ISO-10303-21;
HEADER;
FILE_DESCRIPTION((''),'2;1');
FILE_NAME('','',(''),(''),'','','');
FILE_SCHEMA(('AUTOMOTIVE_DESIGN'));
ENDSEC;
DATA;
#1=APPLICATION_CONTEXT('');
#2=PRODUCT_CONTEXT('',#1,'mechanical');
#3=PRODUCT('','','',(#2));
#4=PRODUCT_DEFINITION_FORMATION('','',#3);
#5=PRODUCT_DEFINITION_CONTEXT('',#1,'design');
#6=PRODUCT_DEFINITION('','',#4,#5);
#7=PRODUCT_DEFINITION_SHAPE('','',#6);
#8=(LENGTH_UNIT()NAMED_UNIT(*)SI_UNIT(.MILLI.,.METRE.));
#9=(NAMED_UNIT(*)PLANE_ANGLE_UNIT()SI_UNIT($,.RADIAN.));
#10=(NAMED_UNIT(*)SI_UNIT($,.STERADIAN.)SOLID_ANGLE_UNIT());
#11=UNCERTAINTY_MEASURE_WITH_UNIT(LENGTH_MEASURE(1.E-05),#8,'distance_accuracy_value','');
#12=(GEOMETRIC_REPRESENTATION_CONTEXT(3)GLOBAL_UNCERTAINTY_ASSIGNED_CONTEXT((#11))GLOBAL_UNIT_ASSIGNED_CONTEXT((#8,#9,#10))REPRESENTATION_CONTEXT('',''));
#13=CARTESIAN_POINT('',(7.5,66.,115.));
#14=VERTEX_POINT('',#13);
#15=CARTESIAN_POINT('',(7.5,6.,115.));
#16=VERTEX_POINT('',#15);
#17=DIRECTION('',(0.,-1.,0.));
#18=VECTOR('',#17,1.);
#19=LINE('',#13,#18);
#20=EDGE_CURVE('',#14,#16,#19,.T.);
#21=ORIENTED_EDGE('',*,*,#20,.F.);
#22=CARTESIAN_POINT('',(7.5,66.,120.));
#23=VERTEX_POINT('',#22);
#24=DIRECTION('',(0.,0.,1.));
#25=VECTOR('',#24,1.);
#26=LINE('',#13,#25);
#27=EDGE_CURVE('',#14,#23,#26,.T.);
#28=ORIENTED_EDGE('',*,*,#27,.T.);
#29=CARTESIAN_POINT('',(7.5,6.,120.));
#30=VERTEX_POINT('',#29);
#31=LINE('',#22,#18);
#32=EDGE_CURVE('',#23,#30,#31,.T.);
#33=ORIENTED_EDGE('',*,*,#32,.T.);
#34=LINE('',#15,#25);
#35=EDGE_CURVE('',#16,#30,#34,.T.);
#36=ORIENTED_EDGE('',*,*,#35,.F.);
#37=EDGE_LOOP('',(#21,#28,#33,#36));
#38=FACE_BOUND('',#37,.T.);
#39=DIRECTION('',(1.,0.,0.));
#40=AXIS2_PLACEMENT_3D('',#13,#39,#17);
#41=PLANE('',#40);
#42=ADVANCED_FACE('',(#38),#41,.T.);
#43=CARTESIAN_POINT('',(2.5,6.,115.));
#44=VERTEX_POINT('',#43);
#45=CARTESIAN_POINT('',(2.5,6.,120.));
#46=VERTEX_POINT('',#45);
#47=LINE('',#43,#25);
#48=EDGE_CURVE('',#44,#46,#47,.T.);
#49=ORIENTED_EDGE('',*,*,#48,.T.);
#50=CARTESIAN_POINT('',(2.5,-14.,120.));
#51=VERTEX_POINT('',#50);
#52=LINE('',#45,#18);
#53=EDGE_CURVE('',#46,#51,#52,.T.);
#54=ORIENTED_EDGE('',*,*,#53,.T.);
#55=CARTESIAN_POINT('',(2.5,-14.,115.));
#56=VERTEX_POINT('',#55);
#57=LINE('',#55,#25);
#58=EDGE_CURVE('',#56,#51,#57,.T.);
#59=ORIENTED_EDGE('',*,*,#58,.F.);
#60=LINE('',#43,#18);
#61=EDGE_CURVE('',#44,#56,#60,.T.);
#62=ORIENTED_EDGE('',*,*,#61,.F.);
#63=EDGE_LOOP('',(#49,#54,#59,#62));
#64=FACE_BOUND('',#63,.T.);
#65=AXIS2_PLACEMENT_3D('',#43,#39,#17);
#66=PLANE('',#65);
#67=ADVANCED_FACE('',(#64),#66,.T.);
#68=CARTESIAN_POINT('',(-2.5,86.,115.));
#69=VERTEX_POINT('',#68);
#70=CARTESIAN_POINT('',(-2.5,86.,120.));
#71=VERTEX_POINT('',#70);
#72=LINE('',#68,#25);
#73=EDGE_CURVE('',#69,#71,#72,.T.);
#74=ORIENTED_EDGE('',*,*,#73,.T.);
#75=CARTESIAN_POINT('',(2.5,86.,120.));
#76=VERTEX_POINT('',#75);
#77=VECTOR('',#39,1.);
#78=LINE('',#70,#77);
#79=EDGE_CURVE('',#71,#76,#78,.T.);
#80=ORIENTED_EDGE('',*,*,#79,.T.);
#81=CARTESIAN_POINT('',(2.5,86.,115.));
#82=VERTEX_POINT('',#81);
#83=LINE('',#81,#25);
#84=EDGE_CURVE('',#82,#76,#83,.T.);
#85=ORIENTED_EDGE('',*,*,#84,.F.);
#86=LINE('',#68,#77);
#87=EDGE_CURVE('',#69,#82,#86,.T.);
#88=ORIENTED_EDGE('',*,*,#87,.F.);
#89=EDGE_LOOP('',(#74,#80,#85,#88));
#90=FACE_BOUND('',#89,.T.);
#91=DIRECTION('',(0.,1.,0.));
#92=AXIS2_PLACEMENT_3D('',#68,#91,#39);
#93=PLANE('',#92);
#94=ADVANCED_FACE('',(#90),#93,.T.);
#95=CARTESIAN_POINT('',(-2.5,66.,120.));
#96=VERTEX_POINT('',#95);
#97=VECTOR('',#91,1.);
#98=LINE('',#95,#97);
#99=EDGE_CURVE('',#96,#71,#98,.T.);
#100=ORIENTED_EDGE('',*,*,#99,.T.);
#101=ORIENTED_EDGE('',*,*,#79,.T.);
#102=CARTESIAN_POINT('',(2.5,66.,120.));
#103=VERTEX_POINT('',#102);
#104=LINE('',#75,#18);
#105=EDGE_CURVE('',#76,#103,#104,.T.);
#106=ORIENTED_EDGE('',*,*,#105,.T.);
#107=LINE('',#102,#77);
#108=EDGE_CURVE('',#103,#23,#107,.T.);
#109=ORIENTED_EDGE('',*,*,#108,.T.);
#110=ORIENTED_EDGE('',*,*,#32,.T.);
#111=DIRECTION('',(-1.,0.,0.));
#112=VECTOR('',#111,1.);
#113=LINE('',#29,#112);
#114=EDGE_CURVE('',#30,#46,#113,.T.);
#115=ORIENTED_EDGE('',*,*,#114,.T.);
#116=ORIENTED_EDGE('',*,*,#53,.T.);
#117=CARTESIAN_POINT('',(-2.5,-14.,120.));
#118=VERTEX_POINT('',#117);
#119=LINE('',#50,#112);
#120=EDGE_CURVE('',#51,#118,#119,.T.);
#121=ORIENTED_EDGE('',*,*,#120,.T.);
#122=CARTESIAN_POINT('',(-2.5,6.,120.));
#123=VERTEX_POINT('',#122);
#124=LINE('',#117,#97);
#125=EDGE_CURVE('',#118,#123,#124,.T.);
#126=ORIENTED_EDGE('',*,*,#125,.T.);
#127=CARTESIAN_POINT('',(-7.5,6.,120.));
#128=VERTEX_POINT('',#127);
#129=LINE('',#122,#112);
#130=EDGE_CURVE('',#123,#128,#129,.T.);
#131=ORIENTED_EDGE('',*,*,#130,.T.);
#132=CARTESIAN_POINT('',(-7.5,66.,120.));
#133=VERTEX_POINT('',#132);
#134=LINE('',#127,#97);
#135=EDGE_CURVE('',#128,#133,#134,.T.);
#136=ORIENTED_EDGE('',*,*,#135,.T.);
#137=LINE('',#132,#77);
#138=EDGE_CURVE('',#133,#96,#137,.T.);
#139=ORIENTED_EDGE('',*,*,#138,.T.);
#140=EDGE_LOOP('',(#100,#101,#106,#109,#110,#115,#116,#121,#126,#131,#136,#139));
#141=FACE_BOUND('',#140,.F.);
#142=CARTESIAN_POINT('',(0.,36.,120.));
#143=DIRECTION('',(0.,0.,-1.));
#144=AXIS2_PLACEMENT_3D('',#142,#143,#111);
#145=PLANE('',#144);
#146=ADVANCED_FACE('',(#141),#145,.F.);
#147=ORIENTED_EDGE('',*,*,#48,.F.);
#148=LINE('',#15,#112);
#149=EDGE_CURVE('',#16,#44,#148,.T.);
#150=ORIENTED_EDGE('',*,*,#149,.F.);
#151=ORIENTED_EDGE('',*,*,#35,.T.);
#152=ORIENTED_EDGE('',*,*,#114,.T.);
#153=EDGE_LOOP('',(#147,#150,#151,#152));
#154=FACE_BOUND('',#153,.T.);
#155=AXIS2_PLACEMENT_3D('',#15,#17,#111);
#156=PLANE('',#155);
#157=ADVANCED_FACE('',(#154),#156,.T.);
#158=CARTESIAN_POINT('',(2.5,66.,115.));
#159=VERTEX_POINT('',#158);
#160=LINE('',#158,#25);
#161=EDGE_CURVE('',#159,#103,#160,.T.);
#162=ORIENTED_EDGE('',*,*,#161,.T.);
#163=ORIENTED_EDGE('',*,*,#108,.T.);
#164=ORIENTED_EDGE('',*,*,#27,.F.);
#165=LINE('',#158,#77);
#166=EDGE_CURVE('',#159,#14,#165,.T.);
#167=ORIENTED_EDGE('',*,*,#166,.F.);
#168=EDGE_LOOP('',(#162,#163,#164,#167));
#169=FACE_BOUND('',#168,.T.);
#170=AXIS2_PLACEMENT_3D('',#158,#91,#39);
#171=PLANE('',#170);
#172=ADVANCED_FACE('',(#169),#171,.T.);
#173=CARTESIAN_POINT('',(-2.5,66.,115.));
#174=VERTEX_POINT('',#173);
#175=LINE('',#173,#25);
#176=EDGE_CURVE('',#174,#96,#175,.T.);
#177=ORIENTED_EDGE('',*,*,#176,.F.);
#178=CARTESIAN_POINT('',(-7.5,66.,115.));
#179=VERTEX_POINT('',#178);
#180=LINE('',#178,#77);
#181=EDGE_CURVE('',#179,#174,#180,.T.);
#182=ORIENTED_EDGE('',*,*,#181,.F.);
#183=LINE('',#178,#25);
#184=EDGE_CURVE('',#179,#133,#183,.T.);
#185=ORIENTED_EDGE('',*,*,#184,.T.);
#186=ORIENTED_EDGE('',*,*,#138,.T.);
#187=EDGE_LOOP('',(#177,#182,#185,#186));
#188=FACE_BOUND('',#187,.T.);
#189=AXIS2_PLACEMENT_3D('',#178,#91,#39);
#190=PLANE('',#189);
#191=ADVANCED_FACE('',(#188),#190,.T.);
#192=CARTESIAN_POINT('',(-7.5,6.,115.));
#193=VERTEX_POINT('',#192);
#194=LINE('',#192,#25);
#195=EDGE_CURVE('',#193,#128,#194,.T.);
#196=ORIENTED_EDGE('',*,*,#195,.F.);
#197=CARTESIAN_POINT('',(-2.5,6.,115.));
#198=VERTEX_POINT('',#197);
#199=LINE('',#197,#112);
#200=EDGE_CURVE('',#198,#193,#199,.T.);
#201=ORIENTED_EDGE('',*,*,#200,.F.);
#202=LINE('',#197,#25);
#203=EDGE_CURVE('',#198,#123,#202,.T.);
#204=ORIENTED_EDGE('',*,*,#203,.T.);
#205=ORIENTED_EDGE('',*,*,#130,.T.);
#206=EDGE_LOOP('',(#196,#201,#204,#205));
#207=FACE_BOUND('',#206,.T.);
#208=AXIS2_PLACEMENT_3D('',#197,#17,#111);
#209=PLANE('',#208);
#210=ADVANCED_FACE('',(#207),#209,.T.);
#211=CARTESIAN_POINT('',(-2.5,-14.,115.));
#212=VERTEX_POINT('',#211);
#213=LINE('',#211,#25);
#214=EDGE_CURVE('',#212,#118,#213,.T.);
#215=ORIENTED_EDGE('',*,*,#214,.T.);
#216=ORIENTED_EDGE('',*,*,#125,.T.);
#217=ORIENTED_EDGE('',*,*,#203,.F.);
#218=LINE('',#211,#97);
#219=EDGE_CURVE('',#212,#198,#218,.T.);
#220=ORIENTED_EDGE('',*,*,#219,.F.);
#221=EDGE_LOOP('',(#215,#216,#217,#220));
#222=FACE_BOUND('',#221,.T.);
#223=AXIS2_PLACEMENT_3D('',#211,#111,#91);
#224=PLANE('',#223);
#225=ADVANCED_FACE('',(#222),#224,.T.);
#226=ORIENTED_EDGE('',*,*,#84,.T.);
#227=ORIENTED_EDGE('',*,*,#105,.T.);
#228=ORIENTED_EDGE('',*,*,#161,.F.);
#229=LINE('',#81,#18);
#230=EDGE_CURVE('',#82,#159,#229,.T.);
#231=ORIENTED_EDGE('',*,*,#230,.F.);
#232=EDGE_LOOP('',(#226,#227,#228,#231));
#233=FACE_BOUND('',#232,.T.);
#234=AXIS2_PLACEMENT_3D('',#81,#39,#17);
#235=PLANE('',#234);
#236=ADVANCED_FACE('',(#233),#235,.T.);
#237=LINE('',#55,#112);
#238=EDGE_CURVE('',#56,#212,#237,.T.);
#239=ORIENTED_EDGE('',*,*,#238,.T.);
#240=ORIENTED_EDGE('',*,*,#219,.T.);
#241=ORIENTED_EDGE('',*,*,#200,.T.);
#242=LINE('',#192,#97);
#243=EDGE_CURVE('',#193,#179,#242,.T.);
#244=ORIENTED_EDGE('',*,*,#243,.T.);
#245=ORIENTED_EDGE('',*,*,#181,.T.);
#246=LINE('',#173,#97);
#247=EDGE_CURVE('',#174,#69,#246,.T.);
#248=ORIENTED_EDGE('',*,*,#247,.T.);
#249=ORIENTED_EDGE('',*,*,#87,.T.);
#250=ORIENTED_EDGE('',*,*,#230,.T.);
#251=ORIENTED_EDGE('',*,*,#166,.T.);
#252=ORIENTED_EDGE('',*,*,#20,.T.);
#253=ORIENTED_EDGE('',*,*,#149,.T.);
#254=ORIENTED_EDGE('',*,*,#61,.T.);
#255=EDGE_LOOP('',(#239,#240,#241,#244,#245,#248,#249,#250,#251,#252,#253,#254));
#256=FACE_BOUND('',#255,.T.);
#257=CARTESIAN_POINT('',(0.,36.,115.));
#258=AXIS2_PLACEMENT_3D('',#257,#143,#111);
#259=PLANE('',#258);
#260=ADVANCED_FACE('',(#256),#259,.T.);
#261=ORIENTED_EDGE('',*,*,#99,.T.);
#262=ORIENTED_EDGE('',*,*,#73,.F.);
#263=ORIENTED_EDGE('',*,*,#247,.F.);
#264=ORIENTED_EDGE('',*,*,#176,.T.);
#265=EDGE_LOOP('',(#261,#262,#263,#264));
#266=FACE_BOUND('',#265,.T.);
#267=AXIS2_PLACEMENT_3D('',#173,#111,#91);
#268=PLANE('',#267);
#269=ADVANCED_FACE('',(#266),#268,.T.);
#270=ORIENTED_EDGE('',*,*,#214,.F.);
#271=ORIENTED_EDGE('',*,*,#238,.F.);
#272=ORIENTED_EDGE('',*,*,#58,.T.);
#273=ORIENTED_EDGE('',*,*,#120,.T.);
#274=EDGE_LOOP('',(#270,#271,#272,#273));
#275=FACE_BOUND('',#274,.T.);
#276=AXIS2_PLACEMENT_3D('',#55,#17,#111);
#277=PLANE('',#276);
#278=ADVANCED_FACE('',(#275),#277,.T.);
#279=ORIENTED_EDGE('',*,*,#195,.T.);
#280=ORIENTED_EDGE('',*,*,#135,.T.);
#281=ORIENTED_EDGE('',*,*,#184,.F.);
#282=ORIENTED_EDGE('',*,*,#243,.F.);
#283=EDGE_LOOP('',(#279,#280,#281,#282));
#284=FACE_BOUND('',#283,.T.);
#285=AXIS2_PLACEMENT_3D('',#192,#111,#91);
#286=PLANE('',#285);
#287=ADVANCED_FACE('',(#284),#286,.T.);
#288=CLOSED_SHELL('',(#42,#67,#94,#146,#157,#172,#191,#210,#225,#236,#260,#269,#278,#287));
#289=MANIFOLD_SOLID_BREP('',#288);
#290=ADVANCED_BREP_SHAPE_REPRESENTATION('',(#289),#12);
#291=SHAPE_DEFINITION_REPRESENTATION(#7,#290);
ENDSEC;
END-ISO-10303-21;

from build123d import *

# Parameters (mm, degrees)
PAD020_DEPTH = 5


with BuildPart() as part:
    # Sketch025 → Pad020 (new body)
    with BuildSketch(Plane(origin=(0, 36, 115), x_dir=(1, 0, 0), z_dir=(0, 0, 1))):
        Polygon((7.5, 30), (7.5, -30), (2.5, -30), (2.5, -50), (-2.5, -50), (-2.5, -30), (-7.5, -30), (-7.5, 30), (-2.5, 30), (-2.5, 50), (2.5, 50), (2.5, 30), align=None)
    extrude(amount=PAD020_DEPTH)


solid = part.part
